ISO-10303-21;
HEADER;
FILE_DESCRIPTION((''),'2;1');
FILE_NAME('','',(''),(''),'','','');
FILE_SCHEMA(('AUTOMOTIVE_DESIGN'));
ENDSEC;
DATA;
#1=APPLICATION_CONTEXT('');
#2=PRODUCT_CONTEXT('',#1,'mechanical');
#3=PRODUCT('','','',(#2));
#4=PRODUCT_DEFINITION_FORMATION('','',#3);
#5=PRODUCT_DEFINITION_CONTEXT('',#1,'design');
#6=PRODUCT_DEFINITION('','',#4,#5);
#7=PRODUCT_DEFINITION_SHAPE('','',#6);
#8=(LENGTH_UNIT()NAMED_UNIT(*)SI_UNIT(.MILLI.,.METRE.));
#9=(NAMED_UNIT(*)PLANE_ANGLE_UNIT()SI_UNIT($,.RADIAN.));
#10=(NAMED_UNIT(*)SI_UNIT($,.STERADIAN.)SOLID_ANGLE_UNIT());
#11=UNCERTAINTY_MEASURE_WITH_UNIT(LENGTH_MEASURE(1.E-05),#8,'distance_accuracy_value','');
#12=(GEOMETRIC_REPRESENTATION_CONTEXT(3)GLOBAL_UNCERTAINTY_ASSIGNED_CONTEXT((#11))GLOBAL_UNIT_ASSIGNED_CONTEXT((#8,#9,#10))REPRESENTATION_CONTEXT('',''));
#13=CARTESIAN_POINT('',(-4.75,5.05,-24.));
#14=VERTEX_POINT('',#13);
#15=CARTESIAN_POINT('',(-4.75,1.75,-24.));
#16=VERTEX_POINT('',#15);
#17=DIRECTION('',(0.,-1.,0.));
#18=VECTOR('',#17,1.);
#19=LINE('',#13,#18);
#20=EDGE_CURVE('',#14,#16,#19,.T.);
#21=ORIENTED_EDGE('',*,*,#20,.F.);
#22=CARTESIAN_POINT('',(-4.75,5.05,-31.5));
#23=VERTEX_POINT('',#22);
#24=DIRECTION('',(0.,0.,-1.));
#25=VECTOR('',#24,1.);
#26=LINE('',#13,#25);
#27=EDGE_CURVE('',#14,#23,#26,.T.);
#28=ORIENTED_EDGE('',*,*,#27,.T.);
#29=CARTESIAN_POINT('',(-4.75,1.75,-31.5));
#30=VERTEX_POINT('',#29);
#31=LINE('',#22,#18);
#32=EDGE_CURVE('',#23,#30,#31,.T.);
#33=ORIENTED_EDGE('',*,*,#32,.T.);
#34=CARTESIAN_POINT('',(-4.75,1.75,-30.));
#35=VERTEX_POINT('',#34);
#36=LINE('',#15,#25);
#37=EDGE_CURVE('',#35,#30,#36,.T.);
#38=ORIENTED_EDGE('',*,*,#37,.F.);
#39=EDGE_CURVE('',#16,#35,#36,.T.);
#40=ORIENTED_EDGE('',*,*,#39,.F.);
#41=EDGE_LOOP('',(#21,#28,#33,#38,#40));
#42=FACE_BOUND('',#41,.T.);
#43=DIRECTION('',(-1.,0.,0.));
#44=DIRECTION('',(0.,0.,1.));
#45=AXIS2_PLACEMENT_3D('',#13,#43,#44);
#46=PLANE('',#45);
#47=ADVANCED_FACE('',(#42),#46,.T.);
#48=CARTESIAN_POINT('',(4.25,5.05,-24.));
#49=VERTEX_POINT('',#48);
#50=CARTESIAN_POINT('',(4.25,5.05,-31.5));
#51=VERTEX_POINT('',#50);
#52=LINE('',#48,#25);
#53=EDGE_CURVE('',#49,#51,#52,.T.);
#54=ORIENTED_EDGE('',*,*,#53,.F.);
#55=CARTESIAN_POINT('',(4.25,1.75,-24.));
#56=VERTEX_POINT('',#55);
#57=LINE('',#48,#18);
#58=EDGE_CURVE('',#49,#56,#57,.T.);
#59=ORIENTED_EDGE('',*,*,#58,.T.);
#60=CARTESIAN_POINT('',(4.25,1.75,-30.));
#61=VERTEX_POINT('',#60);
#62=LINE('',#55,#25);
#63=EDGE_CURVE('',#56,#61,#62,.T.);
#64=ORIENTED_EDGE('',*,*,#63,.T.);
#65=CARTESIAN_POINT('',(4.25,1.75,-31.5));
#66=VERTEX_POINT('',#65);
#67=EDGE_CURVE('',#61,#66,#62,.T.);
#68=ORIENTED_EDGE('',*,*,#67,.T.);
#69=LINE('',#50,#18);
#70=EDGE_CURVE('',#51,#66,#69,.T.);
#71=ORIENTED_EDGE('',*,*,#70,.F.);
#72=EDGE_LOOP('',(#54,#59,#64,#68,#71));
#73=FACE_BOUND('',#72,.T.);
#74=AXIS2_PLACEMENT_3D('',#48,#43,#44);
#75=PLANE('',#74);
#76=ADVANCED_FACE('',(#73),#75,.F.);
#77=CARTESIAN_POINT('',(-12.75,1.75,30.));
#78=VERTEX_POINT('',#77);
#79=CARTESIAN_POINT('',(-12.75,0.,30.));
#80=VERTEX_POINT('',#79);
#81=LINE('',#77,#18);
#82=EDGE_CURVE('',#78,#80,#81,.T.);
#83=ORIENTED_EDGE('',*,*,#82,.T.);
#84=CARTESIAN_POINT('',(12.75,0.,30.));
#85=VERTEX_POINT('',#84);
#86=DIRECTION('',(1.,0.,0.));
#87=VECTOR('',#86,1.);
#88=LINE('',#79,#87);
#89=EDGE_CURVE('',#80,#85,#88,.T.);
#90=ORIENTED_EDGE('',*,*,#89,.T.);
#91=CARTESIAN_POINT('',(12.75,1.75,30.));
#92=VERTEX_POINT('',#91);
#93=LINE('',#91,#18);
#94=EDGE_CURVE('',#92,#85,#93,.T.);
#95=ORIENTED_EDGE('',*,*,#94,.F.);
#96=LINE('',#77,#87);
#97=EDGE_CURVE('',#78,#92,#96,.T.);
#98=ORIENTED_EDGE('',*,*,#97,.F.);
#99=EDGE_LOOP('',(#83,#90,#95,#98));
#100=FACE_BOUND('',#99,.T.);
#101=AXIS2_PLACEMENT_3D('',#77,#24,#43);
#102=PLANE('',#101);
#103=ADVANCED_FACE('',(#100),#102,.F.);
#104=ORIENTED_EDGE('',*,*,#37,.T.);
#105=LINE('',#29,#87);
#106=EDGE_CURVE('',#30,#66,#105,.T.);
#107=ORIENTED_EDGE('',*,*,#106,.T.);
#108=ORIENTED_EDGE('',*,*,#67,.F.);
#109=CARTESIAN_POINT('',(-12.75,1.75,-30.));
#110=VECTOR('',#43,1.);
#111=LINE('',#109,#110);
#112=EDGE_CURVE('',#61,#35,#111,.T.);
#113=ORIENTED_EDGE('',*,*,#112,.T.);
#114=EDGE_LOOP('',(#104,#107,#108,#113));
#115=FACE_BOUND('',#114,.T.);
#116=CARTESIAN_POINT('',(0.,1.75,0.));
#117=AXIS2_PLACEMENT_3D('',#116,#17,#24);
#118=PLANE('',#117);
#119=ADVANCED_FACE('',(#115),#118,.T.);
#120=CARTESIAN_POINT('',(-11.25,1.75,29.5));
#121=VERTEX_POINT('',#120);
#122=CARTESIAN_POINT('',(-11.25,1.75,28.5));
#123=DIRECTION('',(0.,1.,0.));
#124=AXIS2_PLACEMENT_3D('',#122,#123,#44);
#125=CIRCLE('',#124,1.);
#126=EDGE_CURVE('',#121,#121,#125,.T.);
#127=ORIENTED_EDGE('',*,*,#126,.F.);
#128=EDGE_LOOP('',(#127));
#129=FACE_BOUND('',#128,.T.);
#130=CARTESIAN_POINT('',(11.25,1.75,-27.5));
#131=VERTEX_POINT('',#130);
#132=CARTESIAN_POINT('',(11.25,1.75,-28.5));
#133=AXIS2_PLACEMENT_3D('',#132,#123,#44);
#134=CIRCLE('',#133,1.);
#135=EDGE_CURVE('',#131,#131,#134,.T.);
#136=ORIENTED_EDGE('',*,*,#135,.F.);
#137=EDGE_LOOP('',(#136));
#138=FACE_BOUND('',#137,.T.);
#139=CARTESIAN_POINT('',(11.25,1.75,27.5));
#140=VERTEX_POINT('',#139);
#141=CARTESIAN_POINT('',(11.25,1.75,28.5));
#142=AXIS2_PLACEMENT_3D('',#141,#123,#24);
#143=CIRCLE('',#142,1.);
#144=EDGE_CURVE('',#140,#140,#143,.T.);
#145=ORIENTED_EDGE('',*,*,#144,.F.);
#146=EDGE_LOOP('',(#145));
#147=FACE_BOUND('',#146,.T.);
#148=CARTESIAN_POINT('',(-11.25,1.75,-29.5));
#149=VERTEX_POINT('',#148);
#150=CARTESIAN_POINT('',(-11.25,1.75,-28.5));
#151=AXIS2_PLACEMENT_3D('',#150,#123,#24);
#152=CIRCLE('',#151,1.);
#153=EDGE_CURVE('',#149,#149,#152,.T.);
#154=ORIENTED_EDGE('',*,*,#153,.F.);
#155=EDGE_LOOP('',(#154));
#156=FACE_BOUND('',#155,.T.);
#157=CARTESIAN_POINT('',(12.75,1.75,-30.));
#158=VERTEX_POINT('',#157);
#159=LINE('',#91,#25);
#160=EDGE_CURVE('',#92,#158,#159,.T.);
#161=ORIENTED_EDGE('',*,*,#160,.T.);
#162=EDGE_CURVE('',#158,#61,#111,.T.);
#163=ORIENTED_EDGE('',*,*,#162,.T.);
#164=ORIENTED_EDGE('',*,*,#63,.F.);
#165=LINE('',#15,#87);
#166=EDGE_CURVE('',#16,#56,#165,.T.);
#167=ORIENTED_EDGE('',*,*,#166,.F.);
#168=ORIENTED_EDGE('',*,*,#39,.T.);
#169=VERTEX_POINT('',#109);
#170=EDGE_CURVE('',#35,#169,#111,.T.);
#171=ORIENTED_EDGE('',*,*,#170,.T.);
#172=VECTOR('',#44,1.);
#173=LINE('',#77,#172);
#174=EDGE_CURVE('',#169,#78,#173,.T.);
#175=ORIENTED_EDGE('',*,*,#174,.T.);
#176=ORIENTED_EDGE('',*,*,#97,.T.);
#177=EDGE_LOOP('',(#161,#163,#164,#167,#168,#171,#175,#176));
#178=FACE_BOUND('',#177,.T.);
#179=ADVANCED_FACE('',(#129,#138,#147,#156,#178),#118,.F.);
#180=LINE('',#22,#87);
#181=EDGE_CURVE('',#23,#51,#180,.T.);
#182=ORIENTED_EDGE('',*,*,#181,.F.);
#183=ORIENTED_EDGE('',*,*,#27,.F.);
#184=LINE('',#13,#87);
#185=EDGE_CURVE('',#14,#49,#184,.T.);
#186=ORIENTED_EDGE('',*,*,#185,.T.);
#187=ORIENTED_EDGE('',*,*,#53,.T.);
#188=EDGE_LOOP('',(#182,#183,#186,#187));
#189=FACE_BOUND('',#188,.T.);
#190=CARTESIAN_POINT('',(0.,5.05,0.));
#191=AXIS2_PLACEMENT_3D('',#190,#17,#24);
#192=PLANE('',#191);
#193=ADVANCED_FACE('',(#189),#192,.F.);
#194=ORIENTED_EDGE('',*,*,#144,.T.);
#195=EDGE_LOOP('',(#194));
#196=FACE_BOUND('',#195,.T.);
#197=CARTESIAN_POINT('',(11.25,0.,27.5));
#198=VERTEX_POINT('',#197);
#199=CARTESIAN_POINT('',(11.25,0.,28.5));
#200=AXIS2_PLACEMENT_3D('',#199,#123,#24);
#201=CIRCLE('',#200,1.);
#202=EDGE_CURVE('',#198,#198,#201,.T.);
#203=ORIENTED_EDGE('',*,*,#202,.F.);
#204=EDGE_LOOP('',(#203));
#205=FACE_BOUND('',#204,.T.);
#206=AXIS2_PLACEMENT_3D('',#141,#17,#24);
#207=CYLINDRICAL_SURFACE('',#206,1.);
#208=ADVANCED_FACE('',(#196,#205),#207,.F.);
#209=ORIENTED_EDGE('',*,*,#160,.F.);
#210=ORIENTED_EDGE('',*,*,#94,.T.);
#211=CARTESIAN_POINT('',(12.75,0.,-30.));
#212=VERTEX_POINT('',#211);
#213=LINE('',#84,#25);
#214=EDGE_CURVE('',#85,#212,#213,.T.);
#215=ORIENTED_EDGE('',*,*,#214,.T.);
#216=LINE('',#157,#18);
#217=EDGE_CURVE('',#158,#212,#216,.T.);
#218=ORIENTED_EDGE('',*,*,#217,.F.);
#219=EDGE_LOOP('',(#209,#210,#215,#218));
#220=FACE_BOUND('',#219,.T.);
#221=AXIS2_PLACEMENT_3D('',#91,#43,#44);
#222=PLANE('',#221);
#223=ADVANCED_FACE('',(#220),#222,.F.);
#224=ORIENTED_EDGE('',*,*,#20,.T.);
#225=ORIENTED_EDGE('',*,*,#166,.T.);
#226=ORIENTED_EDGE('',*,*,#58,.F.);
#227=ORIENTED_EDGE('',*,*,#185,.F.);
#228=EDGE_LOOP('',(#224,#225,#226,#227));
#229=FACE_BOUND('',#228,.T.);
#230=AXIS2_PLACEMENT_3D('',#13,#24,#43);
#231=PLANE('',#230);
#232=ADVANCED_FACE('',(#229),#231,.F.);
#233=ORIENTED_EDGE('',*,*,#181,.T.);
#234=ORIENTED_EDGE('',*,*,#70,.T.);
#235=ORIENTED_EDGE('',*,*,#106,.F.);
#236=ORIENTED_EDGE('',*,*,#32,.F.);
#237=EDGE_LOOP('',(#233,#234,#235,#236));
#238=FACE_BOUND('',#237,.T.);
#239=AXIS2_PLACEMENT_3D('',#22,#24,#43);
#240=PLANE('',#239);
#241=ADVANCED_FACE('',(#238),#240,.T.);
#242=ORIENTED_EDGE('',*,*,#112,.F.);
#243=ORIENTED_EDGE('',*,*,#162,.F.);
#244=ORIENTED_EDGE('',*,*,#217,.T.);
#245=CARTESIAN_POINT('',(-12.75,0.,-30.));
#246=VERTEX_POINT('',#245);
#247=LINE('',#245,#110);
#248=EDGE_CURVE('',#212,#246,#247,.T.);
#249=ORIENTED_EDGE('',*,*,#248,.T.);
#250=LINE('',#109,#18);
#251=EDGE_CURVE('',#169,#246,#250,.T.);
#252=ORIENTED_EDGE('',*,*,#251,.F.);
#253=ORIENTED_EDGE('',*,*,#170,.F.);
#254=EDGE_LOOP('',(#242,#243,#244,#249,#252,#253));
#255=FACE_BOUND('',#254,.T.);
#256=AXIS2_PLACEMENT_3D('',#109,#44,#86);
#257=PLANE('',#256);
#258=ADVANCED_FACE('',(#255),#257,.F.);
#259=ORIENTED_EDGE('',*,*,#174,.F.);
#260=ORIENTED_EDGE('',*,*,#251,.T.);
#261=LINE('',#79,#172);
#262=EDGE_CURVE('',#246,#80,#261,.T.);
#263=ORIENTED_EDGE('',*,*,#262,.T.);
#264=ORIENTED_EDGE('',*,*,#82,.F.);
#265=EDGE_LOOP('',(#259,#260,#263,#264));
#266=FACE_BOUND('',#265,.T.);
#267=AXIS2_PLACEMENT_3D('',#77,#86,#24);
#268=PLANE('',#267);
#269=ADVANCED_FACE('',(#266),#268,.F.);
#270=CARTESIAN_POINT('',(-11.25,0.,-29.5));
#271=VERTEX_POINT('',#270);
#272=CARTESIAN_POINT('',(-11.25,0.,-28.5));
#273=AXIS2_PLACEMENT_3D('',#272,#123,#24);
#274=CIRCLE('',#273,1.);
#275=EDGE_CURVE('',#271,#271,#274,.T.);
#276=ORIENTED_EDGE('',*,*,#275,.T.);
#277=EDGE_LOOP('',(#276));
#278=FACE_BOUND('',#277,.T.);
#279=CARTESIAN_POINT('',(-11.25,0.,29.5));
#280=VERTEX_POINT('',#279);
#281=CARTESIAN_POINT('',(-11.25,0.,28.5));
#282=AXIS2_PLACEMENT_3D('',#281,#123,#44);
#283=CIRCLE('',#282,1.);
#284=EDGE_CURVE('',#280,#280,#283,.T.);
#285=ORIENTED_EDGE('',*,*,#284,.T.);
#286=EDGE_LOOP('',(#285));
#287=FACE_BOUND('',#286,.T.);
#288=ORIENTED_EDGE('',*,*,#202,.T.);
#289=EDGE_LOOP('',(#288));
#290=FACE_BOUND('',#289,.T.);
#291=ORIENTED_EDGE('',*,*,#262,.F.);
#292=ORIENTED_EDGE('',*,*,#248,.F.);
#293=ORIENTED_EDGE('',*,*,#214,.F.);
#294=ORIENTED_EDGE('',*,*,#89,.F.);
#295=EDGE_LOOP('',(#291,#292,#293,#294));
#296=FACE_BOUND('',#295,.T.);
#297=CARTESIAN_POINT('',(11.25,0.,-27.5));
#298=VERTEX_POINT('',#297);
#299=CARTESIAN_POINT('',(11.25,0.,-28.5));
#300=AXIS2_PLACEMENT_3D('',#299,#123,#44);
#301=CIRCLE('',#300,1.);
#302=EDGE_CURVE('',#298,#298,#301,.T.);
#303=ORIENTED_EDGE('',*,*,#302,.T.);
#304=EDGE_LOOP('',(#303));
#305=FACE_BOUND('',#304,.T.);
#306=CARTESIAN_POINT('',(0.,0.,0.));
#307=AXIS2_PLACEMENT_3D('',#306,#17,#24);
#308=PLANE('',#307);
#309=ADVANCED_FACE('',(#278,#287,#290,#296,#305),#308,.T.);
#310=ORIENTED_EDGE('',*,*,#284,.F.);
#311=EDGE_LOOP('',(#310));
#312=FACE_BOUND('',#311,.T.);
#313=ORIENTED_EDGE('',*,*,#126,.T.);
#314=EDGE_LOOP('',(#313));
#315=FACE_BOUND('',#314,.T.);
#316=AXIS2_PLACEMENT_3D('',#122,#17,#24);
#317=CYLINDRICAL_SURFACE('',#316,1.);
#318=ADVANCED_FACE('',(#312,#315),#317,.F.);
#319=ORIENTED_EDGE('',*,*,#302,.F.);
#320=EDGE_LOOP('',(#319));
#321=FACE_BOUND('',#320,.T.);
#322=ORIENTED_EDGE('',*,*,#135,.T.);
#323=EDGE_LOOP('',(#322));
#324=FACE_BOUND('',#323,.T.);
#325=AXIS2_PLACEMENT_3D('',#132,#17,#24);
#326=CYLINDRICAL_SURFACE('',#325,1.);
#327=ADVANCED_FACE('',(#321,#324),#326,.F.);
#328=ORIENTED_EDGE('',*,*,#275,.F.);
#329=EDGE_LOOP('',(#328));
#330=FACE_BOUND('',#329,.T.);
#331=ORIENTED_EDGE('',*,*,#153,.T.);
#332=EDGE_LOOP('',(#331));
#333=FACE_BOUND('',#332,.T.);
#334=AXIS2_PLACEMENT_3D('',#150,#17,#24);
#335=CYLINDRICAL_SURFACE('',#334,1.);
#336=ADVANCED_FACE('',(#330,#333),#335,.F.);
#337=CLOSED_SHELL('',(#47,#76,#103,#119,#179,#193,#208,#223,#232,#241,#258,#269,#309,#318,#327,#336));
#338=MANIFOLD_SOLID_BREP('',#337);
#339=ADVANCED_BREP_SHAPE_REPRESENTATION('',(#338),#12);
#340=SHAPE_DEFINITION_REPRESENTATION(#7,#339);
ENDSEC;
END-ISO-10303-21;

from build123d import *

# Parameters (mm, degrees)
SKETCH1_W           = 25.5
SKETCH1_H           = 60
SKETCH1_R           = 1
BOSS_EXTRUDE1_DEPTH = 1.75
SKETCH2_W           = 9
SKETCH2_H           = 7.5
BOSS_EXTRUDE2_DEPTH = 3.3


with BuildPart() as part:
    # Sketch1 → Boss-Extrude1 (new body)
    with BuildSketch(Plane(origin=(0, 0, 0), x_dir=(1, 0, 0), z_dir=(0, 1, 0))):
        Rectangle(SKETCH1_W, SKETCH1_H)
        with Locations(Location((11.25, 28.5, 0), (0, 0, 270))):
            Circle(SKETCH1_R, mode=Mode.SUBTRACT)
        with Locations(Location((-11.25, 28.5, 0), (0, 0, 90))):
            Circle(SKETCH1_R, mode=Mode.SUBTRACT)
        with Locations(Location((11.25, -28.5, 0), (0, 0, 90))):
            Circle(SKETCH1_R, mode=Mode.SUBTRACT)
        with Locations(Location((-11.25, -28.5, 0), (0, 0, 270))):
            Circle(SKETCH1_R, mode=Mode.SUBTRACT)
    extrude(amount=BOSS_EXTRUDE1_DEPTH)

    # Sketch2 → Boss-Extrude2 (add)
    with BuildSketch(Plane(origin=(0, 1.75, 0), x_dir=(1, 0, 0), z_dir=(0, 1, 0))):
        with Locations((-0.25, 27.75)):
            Rectangle(SKETCH2_W, SKETCH2_H)
    extrude(amount=BOSS_EXTRUDE2_DEPTH)


solid = part.part
